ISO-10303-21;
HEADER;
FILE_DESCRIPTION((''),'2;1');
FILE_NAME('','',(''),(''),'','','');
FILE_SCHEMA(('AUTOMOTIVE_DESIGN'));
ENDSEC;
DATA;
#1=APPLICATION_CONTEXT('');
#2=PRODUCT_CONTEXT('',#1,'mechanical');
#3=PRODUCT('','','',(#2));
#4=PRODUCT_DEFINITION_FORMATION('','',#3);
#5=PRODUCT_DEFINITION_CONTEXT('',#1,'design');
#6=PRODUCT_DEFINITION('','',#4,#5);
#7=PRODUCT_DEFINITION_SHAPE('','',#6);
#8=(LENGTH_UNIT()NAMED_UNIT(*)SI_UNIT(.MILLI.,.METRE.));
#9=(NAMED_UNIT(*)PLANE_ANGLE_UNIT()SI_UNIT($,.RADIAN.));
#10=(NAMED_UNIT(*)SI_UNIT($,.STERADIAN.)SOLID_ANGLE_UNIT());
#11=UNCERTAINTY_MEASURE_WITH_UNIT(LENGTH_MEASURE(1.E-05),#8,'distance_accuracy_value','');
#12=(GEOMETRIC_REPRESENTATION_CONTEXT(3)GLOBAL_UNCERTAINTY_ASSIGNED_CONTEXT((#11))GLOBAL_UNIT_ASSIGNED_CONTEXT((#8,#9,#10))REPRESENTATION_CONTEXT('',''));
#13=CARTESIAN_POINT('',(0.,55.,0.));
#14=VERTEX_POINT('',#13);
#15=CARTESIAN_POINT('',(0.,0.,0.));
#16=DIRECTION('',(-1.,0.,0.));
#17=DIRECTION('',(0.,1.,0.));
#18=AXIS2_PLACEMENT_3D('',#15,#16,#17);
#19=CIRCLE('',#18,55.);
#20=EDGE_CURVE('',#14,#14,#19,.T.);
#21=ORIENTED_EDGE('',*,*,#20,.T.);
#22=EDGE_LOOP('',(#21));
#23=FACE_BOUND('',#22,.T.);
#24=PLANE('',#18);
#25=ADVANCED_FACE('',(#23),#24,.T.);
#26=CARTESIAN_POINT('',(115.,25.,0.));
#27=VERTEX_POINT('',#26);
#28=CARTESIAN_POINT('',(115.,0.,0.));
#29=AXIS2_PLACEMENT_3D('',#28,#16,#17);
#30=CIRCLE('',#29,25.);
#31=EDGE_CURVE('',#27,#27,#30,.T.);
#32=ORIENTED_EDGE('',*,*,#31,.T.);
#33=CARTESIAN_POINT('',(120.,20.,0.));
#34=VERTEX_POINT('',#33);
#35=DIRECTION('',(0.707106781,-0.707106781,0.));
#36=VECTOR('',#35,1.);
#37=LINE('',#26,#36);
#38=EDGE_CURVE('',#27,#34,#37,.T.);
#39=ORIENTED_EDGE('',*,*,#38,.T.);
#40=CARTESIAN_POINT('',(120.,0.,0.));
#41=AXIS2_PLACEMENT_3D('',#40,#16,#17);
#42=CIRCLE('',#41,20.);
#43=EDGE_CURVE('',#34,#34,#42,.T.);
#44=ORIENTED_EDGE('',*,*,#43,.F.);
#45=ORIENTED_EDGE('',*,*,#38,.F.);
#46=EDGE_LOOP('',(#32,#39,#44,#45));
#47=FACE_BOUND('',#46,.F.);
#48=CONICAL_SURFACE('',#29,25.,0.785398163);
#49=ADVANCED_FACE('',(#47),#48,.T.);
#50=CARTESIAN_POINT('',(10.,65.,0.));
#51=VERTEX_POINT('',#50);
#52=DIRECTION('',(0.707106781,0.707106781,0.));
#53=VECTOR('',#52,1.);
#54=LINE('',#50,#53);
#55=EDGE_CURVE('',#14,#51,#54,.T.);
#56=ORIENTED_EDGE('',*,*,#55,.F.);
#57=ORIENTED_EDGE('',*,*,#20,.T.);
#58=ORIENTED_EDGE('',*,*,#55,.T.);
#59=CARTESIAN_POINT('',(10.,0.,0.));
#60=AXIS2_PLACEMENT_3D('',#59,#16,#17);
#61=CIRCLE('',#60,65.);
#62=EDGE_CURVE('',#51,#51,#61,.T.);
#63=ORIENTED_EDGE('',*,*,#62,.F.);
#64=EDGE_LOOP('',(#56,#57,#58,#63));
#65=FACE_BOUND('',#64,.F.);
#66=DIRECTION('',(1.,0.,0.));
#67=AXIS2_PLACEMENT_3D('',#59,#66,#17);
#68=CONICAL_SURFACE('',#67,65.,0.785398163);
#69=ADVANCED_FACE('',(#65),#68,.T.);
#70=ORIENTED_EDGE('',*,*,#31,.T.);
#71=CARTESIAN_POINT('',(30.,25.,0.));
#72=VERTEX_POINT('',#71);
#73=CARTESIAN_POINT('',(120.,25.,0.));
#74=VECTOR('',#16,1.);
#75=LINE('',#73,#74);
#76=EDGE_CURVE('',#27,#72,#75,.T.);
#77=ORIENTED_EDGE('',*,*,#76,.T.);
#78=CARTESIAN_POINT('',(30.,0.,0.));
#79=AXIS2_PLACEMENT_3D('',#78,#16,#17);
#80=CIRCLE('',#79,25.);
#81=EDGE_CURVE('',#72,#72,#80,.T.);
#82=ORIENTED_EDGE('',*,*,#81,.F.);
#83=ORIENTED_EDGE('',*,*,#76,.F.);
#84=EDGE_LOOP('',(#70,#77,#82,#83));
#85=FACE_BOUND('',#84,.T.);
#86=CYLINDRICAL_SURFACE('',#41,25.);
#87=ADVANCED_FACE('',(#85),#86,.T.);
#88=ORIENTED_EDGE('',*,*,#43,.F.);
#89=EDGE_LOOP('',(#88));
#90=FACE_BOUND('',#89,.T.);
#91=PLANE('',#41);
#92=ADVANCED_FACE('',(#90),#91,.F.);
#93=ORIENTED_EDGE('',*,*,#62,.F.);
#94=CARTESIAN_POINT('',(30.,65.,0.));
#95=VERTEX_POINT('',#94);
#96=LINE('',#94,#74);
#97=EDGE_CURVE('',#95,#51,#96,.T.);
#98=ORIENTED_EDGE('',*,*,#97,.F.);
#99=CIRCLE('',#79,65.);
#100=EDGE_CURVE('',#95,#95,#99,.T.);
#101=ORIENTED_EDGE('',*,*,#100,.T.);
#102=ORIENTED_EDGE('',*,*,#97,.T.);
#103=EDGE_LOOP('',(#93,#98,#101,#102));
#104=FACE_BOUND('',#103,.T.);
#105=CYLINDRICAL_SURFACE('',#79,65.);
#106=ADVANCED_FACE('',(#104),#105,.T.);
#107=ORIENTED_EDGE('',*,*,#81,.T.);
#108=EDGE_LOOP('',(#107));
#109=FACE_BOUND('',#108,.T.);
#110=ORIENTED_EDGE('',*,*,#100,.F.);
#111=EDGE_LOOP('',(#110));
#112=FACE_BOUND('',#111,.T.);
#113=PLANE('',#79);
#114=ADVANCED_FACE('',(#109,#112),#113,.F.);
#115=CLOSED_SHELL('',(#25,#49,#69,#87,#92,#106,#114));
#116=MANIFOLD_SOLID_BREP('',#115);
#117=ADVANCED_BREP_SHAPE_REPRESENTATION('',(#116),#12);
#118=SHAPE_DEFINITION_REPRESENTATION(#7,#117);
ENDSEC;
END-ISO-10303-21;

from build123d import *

# Parameters (mm, degrees)
F2_SIZE2 = 10
F2_SIZE  = 10
F3_SIZE  = 5


with BuildPart() as f1:
    # F0 (on Top) → F1 (revolve)
    with BuildSketch(Plane.XY):
        Polygon((0, 65), (0, 0), (120, 0), (120, 25), (102, 25), (30, 25), (30, 65), align=None)
    revolve(axis=Axis((60, 0, 0), (-1, 0, 0)))

    # F2
    f2_edges = [f1.edges().sort_by_distance(p)[0] for p in [
        (0, -65, 0),
    ]]
    chamfer(f2_edges, length=F2_SIZE, length2=F2_SIZE2)

    # F3
    f3_edges = [f1.edges().sort_by_distance(p)[0] for p in [
        (120, -25, 0),
    ]]
    chamfer(f3_edges, length=F3_SIZE)


solid = f1.part
